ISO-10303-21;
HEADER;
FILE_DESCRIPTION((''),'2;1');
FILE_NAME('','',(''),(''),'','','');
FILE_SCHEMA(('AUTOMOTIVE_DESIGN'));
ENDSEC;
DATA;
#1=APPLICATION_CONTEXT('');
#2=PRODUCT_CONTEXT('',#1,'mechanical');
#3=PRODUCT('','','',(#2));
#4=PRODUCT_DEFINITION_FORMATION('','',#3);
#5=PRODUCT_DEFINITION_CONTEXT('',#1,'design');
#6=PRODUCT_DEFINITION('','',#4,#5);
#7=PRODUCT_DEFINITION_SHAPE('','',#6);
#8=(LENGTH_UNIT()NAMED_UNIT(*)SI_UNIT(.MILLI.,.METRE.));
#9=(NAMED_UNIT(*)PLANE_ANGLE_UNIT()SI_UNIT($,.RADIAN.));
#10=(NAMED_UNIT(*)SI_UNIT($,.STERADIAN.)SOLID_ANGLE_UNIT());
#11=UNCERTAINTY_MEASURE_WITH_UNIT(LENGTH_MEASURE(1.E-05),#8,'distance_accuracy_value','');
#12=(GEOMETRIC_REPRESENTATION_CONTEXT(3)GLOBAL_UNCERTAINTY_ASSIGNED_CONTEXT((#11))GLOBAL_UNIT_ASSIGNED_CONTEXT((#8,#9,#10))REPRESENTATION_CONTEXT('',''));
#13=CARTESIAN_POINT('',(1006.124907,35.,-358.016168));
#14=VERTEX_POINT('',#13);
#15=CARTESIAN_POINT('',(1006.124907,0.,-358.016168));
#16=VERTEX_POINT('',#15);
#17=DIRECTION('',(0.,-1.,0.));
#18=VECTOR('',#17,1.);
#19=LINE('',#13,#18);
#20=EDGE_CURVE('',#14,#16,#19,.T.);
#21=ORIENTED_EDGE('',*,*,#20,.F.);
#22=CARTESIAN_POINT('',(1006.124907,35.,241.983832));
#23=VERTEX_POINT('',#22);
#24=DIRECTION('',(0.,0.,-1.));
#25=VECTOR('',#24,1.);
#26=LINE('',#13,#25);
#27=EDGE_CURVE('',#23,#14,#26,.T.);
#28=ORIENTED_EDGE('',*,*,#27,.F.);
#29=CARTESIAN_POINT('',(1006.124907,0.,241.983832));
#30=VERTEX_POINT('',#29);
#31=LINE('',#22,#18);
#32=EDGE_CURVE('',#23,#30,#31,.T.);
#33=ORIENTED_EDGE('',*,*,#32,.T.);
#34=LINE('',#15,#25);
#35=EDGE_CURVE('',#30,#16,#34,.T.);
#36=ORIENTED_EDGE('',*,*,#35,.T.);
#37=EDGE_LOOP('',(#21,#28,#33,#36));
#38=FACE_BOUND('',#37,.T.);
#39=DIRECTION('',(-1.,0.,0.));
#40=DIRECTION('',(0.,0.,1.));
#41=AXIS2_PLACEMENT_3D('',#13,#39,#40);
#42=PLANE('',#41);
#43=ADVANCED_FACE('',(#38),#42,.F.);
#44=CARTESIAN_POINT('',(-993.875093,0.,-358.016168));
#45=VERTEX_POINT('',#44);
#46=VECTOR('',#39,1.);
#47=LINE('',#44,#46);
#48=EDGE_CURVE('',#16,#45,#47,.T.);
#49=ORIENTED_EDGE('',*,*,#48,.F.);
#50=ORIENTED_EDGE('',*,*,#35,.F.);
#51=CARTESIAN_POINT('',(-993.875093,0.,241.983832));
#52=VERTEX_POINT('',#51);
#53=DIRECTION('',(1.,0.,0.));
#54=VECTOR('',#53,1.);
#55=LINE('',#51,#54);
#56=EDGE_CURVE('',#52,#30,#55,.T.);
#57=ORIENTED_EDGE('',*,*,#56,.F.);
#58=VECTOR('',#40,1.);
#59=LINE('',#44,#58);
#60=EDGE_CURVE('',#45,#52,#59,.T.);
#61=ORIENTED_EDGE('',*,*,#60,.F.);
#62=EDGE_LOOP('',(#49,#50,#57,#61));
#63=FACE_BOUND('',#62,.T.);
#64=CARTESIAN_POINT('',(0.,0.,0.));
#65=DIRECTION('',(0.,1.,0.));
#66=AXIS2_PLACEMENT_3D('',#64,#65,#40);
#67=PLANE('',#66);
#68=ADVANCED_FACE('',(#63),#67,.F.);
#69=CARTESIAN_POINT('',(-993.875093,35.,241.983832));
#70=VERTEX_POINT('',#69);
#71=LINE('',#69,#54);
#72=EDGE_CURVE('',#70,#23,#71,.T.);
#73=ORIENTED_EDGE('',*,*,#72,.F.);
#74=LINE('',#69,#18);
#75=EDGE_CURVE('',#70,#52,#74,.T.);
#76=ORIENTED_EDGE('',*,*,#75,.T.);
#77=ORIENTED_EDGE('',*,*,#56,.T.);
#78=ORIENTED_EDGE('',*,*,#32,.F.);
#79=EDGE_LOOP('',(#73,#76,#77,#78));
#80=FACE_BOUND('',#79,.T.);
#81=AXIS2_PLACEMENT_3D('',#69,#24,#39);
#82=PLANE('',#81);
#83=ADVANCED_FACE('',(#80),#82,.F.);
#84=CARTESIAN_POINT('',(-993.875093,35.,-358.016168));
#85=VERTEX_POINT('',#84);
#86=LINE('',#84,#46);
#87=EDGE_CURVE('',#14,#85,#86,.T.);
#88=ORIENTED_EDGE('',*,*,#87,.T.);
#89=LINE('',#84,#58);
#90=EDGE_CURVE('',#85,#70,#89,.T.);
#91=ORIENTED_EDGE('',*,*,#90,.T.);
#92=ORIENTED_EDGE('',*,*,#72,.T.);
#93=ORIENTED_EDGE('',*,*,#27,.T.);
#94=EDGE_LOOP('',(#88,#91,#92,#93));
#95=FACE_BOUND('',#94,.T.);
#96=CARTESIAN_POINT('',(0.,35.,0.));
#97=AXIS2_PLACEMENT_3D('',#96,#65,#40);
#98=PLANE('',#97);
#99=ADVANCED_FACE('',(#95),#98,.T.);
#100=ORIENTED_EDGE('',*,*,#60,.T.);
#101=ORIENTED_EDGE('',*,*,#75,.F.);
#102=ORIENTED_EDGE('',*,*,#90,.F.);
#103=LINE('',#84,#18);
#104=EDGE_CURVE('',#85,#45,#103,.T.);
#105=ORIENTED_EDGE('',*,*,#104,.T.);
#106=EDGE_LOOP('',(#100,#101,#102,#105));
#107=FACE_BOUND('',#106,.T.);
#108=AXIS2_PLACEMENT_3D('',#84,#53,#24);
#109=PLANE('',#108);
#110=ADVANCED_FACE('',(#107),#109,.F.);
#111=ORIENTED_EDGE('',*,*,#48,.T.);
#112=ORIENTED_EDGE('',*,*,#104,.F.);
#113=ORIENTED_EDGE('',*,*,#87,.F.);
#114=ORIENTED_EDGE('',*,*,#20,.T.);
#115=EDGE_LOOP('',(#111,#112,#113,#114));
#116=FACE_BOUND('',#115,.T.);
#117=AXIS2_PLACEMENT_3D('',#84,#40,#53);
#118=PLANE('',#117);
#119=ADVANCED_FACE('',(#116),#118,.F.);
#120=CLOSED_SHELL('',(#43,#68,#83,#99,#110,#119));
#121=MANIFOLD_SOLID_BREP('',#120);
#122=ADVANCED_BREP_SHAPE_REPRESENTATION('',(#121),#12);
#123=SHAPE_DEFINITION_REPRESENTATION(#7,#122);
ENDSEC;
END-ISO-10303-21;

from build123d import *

# Parameters (mm, degrees)
SKETCH1_W           = 2000
SKETCH1_H           = 600
BOSS_EXTRUDE1_DEPTH = 35


with BuildPart() as part:
    # Sketch1 → Boss-Extrude1 (new body)
    with BuildSketch(Plane(origin=(0, 0, 0), x_dir=(1, 0, 0), z_dir=(0, 1, 0))):
        with Locations((6.124906714, 58.016168427)):
            Rectangle(SKETCH1_W, SKETCH1_H)
    extrude(amount=BOSS_EXTRUDE1_DEPTH)


solid = part.part
